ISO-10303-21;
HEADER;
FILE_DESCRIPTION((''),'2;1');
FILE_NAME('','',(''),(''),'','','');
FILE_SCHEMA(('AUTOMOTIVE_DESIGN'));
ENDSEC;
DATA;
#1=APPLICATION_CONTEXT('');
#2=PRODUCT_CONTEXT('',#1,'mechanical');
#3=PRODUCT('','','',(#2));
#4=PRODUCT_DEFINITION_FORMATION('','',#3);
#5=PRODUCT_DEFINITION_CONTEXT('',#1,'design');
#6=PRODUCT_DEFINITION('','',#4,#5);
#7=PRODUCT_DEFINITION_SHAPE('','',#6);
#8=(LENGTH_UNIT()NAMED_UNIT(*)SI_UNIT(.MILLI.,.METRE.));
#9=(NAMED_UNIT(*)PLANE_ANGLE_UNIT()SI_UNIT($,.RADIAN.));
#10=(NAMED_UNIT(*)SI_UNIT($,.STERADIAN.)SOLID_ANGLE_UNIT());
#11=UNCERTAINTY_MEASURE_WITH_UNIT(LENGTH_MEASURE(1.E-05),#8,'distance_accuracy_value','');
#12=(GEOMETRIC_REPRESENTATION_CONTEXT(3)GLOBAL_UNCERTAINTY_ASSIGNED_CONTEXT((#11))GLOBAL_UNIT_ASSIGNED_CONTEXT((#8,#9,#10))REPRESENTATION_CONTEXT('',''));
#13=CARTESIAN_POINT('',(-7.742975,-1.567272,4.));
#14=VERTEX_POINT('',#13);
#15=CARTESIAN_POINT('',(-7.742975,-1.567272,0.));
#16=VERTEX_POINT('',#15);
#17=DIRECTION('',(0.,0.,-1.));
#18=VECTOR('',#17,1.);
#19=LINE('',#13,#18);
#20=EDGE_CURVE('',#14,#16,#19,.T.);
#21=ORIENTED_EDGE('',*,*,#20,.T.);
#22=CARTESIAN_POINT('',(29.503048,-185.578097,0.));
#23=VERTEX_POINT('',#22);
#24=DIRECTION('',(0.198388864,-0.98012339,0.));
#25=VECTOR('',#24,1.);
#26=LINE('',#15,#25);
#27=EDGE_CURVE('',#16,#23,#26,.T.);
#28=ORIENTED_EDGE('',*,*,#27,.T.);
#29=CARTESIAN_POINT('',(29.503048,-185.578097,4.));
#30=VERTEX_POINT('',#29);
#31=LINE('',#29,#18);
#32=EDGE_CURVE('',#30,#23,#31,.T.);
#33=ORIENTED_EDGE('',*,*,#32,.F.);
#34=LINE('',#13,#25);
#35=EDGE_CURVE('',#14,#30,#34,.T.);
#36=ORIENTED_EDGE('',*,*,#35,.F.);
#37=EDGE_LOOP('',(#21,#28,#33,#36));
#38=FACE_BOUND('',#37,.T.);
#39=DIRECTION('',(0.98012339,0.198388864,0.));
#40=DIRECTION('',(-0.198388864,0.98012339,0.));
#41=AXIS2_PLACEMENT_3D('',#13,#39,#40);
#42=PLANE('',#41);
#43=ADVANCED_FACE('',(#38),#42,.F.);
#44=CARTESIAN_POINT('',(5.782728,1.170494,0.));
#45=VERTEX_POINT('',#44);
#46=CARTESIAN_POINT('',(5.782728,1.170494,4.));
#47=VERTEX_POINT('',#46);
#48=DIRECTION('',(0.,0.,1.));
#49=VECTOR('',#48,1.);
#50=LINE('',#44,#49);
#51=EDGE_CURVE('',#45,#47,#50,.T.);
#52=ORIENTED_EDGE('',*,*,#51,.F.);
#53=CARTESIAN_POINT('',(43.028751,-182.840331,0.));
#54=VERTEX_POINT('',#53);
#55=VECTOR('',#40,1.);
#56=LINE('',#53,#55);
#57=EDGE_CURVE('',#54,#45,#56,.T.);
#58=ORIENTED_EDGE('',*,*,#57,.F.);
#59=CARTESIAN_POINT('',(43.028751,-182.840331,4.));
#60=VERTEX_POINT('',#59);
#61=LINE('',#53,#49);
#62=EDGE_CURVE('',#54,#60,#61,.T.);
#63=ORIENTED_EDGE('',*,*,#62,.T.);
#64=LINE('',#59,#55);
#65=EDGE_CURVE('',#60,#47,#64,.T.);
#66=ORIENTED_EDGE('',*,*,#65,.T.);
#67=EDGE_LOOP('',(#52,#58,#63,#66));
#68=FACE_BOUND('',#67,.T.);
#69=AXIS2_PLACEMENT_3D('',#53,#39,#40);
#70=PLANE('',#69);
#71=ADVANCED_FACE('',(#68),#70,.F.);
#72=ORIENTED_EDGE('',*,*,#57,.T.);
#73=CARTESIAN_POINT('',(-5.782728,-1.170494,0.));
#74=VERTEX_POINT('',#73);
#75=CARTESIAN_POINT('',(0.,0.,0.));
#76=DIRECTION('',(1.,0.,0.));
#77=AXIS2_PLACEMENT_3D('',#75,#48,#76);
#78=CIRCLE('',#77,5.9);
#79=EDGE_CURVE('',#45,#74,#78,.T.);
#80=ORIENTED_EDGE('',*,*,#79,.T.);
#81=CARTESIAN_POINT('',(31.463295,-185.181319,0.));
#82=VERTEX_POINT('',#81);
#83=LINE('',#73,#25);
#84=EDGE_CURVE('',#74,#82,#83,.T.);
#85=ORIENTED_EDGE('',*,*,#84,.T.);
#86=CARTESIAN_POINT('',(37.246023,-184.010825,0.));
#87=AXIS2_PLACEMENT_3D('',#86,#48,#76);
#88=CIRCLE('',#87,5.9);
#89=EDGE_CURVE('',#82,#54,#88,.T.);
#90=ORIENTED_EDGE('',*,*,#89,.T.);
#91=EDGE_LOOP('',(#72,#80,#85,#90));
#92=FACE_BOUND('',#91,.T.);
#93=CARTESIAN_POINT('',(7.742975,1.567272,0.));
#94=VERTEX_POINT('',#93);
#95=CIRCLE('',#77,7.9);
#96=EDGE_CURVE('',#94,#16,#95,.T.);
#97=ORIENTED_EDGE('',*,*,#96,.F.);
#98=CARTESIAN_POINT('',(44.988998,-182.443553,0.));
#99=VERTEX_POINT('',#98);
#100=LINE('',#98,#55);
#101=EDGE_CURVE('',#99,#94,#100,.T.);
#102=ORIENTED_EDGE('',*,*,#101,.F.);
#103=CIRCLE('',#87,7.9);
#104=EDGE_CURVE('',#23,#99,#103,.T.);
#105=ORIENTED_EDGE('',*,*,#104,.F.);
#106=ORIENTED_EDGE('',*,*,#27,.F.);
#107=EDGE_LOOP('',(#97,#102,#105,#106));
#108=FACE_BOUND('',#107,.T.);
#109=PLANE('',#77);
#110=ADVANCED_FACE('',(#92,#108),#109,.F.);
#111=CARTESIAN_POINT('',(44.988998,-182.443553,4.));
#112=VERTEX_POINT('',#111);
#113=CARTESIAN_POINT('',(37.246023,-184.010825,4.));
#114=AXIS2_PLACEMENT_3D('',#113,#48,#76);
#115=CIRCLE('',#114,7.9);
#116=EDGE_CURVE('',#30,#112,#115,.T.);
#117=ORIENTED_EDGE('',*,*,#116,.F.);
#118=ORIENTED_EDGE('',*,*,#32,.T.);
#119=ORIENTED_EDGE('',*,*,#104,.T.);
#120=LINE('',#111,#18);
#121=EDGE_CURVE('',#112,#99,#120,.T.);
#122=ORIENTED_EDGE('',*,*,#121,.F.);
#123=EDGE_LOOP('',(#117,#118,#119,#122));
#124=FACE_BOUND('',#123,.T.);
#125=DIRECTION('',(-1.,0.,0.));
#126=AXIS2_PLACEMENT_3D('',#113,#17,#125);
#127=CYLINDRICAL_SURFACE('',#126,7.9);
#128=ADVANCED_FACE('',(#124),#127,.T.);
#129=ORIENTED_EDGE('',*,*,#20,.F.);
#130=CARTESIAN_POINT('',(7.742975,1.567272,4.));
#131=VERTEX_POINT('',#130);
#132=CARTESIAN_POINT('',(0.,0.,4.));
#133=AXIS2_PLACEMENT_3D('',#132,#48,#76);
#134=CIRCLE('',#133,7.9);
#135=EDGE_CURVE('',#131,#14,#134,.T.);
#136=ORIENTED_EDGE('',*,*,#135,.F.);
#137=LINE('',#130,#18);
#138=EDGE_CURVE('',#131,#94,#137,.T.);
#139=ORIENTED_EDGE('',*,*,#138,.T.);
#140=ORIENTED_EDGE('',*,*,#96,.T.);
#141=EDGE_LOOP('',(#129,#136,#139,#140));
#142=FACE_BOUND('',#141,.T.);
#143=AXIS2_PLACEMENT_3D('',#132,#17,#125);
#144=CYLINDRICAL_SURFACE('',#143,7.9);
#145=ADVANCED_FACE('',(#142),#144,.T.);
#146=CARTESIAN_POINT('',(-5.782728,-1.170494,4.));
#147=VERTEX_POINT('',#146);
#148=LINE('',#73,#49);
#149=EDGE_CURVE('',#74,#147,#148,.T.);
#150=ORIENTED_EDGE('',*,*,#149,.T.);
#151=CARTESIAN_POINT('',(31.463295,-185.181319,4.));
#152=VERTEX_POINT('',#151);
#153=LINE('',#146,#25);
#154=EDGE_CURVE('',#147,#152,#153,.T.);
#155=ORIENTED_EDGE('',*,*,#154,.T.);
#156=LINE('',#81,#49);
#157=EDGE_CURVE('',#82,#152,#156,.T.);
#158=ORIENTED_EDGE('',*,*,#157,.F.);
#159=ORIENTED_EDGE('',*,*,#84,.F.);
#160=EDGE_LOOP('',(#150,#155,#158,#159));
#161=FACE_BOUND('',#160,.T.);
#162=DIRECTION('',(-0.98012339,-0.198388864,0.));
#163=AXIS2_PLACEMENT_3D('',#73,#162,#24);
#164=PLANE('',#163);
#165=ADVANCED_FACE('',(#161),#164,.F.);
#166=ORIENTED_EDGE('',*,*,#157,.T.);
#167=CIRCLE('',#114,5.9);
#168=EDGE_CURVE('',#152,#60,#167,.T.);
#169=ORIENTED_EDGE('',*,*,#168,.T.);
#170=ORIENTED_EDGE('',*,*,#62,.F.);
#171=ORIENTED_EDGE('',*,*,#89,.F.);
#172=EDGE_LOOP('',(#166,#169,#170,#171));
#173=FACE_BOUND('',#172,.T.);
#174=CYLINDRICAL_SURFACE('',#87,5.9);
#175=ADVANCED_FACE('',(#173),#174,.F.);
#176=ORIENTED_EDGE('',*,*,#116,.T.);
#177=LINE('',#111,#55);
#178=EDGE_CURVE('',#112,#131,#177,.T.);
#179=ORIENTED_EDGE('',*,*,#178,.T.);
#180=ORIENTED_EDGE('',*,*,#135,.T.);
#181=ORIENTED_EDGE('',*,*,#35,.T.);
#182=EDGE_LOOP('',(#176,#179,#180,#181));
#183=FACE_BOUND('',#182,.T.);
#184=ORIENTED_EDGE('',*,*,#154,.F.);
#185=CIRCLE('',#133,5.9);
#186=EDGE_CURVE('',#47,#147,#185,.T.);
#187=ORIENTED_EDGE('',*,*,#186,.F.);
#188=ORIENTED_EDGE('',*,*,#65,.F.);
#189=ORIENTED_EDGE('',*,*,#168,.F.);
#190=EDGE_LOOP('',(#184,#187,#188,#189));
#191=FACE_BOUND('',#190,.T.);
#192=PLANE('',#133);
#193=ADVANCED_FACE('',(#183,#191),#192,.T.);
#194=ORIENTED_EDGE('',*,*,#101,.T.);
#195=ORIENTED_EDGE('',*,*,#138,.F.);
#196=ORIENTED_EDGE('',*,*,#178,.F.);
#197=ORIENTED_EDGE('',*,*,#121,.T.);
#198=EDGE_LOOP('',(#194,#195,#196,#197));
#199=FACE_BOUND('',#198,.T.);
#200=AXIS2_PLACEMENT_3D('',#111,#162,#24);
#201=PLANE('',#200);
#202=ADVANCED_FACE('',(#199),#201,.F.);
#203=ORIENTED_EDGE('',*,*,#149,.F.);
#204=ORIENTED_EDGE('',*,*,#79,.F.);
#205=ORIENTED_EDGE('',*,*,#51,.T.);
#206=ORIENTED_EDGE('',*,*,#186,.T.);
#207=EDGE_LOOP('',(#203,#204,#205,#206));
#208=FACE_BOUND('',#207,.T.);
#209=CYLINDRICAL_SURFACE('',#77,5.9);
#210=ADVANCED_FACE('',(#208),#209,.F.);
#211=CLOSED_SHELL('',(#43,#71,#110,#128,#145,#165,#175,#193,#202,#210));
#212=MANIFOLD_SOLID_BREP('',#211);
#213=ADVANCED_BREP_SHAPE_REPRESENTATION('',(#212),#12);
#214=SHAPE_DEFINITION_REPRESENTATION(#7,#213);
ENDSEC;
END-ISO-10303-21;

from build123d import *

# Parameters (mm, degrees)
BOSS_EXTRUDE1_DEPTH = 4
CUT_EXTRUDE1_DEPTH  = 4


with BuildPart() as part:
    # Sketch3 → Boss-Extrude1 (new body)
    with BuildSketch(Plane.XY):
        with BuildLine():
            Line((44.988998007, -182.443553074), (7.742974777, 1.567272025))
            ThreePointArc((7.742974777, 1.567272025), (-1.567272025, 7.742974777), (-7.742974777, -1.567272025))
            Line((-7.742974777, -1.567272025), (29.503048453, -185.578097123))
            ThreePointArc((29.503048453, -185.578097123), (38.813295255, -191.753799876), (44.988998007, -182.443553074))
        make_face()
    extrude(amount=BOSS_EXTRUDE1_DEPTH)

    # Sketch4 → Cut-Extrude1 (cut)
    with BuildSketch(Plane.XY.offset(4)):
        with BuildLine():
            Line((43.028751228, -182.840330802), (5.782727998, 1.170494297))
            ThreePointArc((5.782727998, 1.170494297), (-1.170494297, 5.782727998), (-5.782727998, -1.170494297))
            Line((-5.782727998, -1.170494297), (31.463295232, -185.181319396))
            ThreePointArc((31.463295232, -185.181319396), (38.416517527, -189.793553097), (43.028751228, -182.840330802))
        make_face()
    extrude(amount=-CUT_EXTRUDE1_DEPTH, mode=Mode.SUBTRACT)


solid = part.part
